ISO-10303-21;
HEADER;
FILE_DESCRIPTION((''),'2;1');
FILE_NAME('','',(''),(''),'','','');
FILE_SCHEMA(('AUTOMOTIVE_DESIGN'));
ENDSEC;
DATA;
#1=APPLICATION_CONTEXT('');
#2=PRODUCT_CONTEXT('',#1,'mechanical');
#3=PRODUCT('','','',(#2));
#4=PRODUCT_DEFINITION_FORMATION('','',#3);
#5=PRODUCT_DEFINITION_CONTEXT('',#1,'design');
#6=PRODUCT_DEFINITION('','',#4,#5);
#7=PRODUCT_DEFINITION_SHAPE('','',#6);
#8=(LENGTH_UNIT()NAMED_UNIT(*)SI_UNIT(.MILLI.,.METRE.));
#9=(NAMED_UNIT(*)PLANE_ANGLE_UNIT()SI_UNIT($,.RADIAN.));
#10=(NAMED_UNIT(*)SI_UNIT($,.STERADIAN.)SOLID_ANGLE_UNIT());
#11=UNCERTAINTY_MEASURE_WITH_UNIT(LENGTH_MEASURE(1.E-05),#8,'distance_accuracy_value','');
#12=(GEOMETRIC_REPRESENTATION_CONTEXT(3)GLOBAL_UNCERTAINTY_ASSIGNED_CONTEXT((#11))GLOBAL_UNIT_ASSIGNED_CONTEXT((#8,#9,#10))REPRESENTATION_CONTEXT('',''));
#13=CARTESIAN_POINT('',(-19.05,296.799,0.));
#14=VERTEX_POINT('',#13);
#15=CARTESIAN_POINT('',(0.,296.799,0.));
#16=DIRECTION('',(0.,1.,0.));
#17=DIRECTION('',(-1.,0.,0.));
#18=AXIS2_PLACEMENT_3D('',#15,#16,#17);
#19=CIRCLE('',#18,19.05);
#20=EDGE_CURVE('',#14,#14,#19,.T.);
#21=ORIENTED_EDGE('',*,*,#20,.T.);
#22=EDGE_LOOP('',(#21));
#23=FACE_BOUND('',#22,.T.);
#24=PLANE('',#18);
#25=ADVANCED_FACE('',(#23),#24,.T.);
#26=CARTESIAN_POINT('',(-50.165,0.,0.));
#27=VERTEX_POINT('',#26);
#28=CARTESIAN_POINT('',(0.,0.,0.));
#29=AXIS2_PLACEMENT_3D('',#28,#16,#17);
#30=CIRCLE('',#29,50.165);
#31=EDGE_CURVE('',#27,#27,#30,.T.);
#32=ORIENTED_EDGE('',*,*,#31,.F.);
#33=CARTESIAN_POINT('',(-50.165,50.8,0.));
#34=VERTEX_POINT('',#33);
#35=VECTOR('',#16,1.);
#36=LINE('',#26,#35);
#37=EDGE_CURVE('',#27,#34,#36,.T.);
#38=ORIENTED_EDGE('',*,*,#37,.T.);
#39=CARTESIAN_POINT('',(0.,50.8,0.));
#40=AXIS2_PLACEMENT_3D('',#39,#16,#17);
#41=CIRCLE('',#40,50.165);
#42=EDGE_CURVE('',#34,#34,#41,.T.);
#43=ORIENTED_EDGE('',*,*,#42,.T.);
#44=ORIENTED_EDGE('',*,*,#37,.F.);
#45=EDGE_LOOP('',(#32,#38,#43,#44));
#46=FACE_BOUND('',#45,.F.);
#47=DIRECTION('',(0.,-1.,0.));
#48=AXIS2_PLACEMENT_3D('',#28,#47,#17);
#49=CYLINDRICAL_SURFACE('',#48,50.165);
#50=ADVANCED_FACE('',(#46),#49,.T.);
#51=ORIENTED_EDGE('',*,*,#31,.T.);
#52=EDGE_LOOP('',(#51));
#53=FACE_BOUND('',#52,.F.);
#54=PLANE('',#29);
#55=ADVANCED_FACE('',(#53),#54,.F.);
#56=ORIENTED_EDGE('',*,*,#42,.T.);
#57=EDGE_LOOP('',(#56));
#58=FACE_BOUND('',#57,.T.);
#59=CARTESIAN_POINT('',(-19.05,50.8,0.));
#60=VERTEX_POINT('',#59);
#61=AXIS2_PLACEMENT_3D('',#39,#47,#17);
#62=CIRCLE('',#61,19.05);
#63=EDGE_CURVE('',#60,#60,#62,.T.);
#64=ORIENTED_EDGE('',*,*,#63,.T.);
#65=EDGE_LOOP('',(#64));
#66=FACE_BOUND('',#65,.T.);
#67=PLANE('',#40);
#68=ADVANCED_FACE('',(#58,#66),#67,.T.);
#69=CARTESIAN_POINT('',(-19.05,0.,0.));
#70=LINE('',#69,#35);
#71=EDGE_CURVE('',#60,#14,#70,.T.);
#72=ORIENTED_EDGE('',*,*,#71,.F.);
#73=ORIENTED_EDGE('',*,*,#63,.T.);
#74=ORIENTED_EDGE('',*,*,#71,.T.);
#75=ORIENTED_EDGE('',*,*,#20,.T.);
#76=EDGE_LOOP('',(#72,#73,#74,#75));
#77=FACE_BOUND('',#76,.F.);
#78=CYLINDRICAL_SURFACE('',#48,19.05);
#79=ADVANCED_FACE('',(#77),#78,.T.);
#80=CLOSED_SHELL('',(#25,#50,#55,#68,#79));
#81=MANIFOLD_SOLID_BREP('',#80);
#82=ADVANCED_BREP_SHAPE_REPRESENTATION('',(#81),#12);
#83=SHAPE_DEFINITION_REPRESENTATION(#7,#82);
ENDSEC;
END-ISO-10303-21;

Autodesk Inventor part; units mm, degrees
ref_plane "YZ Plane" through (0, 0, 0) normal (1, 0, 0) x (0, 1, 0)
ref_plane "XZ Plane" through (0, 0, 0) normal (0, 1, 0) x (-1, 0, 0)
ref_plane "XY Plane" through (0, 0, 0) normal (0, 0, 1) x (1, 0, 0)
sketch "Sketch1" plane through (0, 0, 0) normal (0, 1, 0) x (-1, 0, 0)
  circle A0 centre (0, 0) radius 50.165
  circle A1 centre (0, 0) radius 19.05
  dimension "d0" = 100.33
  dimension "d1" = 38.1
extrude "Extrusion1" add sketch "Sketch1" along normal blind 50.8 contours A0 | A1
extrude "Extrusion2" add sketch "Sketch1" along normal blind 296.799 contours A1
properties part number "Acting Piston"
